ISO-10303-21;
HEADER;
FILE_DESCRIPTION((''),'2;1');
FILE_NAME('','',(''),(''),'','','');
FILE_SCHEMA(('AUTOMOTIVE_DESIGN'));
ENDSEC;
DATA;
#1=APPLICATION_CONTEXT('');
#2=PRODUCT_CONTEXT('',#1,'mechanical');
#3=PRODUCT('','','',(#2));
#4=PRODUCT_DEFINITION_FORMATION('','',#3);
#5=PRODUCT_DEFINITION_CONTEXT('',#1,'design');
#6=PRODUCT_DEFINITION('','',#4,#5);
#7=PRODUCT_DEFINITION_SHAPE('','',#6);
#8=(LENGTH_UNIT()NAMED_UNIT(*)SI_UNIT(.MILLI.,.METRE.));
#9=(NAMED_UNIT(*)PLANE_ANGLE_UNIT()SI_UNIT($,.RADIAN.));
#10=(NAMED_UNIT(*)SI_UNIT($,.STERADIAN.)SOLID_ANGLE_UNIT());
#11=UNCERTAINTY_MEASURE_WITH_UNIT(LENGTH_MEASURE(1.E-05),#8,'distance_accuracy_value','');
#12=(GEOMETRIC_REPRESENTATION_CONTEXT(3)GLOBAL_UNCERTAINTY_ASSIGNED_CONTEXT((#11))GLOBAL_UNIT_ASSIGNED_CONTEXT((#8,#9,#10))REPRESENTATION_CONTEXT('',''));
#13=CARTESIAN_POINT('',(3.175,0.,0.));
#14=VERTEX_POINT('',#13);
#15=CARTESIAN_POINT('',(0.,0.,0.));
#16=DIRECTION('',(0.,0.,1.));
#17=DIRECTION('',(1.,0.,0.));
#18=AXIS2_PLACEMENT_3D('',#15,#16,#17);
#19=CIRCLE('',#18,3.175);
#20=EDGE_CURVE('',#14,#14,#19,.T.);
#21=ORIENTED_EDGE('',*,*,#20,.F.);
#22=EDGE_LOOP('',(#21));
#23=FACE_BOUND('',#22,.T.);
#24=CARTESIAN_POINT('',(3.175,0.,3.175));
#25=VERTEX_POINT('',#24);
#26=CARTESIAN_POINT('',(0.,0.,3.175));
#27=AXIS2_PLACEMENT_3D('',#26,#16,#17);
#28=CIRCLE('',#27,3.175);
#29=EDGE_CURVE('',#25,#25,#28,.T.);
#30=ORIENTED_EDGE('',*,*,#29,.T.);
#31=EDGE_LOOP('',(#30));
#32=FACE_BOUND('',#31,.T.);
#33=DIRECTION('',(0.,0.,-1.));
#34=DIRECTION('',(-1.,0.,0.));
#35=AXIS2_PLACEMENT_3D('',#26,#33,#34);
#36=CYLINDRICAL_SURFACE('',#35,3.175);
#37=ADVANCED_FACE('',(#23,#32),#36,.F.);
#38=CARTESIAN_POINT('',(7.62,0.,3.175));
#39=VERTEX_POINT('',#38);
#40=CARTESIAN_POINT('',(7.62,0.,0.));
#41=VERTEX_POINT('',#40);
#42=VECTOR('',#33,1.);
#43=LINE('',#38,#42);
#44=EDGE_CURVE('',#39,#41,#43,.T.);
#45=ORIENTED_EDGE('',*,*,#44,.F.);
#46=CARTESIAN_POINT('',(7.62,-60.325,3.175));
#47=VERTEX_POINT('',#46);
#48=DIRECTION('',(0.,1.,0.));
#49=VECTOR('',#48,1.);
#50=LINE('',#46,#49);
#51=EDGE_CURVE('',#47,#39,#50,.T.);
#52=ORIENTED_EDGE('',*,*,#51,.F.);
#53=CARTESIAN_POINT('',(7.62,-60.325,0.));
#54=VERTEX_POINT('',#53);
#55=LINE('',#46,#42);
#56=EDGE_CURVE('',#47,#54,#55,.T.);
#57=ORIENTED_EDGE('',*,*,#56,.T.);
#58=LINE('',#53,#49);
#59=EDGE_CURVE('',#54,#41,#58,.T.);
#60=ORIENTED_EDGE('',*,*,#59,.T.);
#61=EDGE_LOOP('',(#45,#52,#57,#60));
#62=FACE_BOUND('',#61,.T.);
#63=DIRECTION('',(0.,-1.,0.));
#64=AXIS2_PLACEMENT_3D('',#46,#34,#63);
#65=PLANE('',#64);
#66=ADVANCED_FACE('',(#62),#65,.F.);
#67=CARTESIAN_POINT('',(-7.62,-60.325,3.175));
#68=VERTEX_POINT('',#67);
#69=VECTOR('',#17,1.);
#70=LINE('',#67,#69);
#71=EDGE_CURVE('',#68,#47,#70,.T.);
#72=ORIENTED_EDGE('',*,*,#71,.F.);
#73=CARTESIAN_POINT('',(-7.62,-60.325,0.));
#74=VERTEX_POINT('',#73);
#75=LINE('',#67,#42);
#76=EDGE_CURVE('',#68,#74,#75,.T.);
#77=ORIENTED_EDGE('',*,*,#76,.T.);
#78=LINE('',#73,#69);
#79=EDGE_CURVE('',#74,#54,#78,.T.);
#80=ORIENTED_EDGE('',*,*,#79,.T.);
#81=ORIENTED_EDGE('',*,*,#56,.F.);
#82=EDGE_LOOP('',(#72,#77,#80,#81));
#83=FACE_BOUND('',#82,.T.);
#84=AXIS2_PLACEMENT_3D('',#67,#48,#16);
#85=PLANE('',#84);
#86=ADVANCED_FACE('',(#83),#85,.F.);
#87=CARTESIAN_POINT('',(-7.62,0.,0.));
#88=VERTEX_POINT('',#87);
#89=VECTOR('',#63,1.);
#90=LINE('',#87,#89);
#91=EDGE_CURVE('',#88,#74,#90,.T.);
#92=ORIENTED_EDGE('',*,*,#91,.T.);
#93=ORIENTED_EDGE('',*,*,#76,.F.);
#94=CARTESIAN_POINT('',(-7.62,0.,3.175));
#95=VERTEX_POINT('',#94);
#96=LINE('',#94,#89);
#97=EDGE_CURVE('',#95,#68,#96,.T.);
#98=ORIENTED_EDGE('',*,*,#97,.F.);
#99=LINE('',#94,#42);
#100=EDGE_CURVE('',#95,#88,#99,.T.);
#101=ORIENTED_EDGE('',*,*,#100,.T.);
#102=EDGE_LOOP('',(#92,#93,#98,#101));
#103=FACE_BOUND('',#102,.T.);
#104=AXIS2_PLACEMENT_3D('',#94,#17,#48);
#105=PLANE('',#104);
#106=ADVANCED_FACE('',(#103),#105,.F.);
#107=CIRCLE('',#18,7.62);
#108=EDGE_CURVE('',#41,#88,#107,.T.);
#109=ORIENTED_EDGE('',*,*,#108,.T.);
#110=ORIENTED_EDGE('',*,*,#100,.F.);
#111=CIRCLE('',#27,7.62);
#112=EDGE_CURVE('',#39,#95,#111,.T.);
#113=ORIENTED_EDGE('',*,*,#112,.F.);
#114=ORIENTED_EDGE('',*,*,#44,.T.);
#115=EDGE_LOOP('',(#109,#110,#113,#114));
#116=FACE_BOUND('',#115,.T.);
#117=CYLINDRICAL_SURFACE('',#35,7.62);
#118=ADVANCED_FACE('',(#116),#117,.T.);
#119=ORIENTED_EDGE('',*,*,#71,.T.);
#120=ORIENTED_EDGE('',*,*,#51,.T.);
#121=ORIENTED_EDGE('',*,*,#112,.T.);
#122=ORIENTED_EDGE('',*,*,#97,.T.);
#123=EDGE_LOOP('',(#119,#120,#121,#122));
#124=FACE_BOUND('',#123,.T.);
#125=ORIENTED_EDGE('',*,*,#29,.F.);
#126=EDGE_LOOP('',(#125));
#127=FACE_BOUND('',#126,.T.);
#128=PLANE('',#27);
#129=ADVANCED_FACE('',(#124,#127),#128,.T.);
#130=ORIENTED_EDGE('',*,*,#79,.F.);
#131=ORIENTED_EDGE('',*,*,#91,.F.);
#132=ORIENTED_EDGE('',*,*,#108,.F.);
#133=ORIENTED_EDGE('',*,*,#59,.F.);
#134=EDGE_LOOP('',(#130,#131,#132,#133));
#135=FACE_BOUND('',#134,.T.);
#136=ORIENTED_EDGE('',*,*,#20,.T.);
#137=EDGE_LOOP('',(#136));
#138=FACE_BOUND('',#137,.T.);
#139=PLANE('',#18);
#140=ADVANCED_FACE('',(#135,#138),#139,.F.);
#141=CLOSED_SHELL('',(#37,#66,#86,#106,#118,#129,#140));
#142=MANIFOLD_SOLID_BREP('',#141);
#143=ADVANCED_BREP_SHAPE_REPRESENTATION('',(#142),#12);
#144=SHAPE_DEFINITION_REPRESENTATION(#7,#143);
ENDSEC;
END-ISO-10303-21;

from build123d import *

# Parameters (mm, degrees)
SKETCH1_R           = 3.175
BOSS_EXTRUDE1_DEPTH = 3.175


with BuildPart() as part:
    # Sketch1 → Boss-Extrude1 (new body)
    with BuildSketch(Plane.XY):
        with BuildLine():
            Line((-7.62, 0), (-7.62, -60.325))
            Line((-7.62, -60.325), (7.62, -60.325))
            Line((7.62, -60.325), (7.62, 0))
            ThreePointArc((7.62, 0), (0, 7.62), (-7.62, 0))
        make_face()
        Circle(SKETCH1_R, mode=Mode.SUBTRACT)
    extrude(amount=BOSS_EXTRUDE1_DEPTH)


solid = part.part
